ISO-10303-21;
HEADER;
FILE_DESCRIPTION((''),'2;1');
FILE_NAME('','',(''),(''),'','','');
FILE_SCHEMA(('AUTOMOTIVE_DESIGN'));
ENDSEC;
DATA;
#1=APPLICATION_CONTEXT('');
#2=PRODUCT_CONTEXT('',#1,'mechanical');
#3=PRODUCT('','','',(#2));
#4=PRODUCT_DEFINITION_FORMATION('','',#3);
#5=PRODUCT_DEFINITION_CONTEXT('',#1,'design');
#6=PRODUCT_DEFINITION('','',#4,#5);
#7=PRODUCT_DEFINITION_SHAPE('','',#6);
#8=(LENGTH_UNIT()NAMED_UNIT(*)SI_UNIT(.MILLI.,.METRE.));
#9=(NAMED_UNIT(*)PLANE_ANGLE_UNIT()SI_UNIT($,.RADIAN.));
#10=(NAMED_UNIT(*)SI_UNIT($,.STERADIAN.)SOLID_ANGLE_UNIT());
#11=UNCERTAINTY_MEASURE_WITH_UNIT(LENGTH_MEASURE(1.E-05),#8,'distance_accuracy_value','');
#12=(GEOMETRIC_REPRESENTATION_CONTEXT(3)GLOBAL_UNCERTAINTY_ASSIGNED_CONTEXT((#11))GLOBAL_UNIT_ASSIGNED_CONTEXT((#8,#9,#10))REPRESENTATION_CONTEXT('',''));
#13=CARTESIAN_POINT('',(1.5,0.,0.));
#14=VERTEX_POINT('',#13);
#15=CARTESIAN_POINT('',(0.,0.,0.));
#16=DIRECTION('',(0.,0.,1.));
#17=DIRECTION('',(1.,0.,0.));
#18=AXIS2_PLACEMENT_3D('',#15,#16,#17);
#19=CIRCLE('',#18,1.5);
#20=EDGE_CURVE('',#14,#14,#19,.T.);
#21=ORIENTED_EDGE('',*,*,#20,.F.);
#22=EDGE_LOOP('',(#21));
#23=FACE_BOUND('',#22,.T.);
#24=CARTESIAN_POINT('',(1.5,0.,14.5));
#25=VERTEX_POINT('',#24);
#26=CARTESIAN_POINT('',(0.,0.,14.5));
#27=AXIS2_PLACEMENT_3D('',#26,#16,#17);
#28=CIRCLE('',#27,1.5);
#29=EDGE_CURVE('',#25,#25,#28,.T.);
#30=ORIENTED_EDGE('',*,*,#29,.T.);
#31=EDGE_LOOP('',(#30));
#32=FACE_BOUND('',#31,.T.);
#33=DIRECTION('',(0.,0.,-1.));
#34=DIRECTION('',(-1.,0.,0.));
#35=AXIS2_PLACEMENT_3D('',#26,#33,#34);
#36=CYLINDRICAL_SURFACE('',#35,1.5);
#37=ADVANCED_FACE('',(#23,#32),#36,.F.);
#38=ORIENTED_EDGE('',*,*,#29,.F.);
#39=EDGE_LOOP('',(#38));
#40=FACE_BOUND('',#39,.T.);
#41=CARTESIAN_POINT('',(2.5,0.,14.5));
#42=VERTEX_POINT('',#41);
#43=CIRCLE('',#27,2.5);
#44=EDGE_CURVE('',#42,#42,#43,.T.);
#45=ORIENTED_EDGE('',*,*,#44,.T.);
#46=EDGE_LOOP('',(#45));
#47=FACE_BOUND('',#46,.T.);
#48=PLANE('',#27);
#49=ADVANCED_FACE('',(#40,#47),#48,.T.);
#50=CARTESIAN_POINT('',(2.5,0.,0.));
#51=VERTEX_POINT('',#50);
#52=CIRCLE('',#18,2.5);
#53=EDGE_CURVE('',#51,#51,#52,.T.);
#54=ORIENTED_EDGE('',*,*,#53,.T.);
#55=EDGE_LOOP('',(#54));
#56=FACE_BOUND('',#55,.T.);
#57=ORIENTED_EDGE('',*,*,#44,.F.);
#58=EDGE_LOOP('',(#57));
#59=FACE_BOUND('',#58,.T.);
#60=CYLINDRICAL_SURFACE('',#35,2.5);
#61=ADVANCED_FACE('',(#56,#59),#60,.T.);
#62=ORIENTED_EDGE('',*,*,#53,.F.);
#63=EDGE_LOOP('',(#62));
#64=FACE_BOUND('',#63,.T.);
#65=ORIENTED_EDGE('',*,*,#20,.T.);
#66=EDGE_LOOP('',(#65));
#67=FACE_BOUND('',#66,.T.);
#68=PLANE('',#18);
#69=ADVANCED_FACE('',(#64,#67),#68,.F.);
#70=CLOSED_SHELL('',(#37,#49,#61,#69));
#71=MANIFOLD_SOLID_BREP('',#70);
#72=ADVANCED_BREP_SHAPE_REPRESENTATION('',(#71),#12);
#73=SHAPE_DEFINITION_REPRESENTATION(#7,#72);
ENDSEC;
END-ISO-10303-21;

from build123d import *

# Parameters (mm, degrees)
SKETCH2_R           = 2.5
SKETCH2_R_2         = 1.5
BOSS_EXTRUDE1_DEPTH = 14.5


with BuildPart() as part:
    # Sketch2 → Boss-Extrude1 (new body)
    with BuildSketch(Plane.XY):
        Circle(SKETCH2_R)
        Circle(SKETCH2_R_2, mode=Mode.SUBTRACT)
    extrude(amount=BOSS_EXTRUDE1_DEPTH)


solid = part.part
